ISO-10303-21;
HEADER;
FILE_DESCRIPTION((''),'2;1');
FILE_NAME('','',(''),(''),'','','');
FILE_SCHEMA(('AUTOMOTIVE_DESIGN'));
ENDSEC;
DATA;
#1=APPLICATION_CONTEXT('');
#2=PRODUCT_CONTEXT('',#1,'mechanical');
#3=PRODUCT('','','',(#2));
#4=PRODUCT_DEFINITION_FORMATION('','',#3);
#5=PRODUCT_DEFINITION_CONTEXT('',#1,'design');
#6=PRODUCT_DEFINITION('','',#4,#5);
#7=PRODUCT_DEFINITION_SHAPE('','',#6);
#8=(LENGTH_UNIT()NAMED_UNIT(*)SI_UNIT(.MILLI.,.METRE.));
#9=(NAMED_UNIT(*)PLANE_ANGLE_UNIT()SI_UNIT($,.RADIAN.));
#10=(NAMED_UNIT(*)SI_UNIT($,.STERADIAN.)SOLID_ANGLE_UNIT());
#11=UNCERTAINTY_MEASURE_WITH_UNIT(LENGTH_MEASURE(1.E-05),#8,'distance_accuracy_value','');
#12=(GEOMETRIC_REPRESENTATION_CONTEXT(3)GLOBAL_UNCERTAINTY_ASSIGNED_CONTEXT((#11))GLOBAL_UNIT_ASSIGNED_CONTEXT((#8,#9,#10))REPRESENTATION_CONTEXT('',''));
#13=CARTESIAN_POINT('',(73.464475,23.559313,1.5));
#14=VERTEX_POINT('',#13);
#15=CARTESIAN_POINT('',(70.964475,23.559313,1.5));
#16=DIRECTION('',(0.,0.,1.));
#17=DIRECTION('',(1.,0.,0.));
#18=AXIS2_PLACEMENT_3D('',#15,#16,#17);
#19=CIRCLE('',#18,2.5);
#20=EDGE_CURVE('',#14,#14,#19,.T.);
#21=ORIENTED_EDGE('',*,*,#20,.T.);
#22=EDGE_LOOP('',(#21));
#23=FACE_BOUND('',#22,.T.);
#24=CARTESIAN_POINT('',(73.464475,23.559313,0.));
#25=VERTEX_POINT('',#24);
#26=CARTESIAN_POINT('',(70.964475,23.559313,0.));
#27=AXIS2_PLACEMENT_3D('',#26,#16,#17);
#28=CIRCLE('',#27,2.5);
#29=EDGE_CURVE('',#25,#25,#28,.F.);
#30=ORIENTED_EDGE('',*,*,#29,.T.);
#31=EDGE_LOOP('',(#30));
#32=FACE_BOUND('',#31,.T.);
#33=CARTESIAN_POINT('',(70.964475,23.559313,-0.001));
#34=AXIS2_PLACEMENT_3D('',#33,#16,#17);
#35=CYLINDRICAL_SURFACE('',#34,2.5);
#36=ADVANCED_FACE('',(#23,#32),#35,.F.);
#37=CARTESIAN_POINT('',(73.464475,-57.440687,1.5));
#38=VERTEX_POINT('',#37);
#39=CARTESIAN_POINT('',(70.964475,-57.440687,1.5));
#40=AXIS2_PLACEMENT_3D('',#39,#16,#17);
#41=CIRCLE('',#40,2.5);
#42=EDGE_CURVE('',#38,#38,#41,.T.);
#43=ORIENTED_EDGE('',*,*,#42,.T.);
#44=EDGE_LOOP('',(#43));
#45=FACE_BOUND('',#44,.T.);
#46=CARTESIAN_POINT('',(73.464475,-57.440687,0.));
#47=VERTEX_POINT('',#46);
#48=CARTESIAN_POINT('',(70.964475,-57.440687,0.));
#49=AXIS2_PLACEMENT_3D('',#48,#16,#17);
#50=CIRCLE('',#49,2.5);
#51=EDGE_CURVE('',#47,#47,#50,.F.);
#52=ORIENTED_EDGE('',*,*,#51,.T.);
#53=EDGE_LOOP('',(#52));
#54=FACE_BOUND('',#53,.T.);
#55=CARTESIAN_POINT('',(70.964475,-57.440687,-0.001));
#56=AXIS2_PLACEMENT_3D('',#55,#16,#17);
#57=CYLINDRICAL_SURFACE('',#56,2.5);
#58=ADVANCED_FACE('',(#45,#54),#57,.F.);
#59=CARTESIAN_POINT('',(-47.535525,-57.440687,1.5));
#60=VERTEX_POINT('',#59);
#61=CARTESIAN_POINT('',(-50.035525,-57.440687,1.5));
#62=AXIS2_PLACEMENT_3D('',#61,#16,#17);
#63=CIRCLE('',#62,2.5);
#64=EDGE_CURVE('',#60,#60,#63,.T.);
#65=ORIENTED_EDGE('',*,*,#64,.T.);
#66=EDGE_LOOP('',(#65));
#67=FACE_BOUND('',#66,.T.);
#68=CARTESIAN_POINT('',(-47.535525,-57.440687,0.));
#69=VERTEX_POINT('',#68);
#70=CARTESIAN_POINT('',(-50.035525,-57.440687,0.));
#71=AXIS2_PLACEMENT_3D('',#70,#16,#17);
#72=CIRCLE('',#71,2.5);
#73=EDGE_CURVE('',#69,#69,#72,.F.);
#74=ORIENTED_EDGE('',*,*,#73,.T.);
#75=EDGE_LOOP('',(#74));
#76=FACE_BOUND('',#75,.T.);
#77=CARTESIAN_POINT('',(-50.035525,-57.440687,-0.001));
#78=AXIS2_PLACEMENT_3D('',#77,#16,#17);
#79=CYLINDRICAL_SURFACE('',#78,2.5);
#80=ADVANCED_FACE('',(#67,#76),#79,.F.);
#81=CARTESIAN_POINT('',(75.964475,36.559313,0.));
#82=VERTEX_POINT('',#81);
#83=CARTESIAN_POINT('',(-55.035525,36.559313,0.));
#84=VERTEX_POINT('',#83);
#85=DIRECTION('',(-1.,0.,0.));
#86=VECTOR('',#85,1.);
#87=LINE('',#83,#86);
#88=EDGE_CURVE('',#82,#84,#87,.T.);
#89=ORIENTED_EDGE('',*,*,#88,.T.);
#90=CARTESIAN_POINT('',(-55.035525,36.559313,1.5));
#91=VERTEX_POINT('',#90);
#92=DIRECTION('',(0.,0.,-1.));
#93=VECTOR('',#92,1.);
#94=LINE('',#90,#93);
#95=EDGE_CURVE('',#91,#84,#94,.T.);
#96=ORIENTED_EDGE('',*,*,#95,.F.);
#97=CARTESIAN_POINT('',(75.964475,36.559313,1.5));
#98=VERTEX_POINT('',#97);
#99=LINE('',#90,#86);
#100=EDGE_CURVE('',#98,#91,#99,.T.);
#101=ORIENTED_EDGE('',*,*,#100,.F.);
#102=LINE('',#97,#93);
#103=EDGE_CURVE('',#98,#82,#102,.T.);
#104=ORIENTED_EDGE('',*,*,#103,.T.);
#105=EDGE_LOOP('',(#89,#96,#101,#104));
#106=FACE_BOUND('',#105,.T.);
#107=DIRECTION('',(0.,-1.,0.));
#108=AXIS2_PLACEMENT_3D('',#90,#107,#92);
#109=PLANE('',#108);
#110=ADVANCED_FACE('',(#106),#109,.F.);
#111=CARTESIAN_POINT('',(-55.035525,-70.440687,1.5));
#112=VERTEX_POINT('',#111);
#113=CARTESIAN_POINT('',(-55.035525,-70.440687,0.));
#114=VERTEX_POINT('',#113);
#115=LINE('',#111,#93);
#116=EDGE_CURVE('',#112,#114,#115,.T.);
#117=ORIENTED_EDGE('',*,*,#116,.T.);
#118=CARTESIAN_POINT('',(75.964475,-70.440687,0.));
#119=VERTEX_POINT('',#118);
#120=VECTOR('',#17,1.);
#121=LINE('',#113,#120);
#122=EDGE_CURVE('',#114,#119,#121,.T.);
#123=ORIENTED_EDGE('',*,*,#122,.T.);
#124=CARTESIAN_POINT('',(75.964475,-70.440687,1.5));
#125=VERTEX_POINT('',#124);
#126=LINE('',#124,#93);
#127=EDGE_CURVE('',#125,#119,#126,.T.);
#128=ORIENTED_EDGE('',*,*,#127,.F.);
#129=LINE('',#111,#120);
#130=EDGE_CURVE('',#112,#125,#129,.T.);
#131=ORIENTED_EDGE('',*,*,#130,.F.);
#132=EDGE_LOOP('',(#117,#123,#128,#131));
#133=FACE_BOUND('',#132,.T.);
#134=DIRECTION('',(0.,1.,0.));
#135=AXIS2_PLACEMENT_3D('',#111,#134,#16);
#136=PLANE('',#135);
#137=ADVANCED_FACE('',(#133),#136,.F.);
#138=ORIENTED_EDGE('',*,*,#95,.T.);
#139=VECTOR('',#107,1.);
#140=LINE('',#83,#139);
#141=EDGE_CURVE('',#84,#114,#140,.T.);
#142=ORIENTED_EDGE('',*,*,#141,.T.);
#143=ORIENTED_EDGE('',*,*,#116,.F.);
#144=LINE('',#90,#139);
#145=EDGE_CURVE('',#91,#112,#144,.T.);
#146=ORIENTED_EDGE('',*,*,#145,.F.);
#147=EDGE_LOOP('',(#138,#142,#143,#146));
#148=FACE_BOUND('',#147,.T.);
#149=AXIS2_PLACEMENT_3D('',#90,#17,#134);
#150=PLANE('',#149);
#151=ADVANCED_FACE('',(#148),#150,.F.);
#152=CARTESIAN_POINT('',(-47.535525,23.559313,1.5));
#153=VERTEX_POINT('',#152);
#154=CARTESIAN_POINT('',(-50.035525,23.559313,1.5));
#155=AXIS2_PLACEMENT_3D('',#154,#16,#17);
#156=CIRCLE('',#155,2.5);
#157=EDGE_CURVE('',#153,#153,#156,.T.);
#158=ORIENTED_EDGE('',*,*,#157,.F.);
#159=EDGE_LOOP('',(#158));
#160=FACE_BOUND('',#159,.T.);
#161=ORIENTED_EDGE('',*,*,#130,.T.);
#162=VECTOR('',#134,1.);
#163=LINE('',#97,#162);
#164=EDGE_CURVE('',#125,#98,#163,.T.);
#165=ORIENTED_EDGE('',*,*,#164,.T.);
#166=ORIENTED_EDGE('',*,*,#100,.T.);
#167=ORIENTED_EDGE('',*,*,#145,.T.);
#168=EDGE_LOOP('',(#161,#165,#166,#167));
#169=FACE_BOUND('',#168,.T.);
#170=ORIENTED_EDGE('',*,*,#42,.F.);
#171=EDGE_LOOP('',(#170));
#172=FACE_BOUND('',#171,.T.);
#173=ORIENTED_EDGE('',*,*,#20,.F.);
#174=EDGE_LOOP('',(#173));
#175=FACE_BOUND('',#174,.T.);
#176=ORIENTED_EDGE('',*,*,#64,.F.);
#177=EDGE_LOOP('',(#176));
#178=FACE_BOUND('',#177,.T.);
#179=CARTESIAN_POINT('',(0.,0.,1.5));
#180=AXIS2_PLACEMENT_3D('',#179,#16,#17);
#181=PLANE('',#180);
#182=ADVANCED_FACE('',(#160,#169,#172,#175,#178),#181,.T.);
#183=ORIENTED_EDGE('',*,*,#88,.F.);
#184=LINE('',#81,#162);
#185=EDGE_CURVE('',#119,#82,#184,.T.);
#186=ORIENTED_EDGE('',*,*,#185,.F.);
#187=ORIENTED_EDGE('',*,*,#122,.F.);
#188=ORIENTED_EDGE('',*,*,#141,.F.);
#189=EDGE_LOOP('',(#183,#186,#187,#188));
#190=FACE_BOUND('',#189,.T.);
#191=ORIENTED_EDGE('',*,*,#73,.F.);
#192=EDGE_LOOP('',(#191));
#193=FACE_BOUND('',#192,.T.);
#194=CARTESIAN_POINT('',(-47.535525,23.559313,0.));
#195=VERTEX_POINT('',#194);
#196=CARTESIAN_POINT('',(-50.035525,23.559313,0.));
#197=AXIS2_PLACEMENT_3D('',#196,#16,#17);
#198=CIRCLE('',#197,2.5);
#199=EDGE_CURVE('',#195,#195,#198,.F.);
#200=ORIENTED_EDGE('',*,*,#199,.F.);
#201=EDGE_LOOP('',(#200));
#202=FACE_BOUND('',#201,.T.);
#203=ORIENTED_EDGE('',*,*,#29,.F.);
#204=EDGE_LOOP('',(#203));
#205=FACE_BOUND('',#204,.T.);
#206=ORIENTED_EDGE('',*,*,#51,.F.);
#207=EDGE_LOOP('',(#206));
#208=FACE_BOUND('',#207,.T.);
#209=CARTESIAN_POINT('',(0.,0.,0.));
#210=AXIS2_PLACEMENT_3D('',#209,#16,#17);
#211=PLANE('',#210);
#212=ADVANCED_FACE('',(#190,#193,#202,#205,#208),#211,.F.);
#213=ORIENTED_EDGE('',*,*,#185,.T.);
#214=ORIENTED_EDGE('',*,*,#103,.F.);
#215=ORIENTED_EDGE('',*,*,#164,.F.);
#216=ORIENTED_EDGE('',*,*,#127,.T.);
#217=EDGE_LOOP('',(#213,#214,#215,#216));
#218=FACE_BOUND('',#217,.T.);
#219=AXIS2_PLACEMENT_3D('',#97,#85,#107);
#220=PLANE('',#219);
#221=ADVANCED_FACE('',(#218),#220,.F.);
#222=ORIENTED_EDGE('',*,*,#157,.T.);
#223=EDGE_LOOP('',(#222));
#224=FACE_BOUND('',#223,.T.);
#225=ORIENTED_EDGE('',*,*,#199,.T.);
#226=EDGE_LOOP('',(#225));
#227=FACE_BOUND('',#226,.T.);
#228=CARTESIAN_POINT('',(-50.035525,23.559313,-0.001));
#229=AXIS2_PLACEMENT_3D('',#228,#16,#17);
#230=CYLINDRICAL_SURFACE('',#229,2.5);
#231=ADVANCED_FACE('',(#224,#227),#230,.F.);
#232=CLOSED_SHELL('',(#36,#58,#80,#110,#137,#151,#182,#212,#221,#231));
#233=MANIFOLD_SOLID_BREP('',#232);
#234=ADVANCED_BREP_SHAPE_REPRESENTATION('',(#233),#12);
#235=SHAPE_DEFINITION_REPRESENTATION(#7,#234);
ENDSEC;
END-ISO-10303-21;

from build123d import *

# Parameters (mm, degrees)
CROQUIS1_W              = 131
CROQUIS1_H              = 107
SALIENTE_EXTRUIR1_DEPTH = 1.5
CORTAR_EXTRUIR1_REACH   = 3.5
CROQUIS2_R              = 2.5


with BuildPart() as part:
    # Croquis1 → Saliente-Extruir1 (new body)
    with BuildSketch(Plane.XY):
        with Locations((10.464475059, -16.940687004)):
            Rectangle(CROQUIS1_W, CROQUIS1_H)
    extrude(amount=SALIENTE_EXTRUIR1_DEPTH)

    # Croquis2 → Cortar-Extruir1 (cut, up to next)
    with BuildSketch(Plane.XY.offset(1.5), mode=Mode.PRIVATE) as cortar_extruir1_sk1:
        with Locations((-50.035524941, 23.559312996)):
            Circle(CROQUIS2_R)
    cortar_extruir1_tool1 = extrude(cortar_extruir1_sk1.sketch, amount=-CORTAR_EXTRUIR1_REACH, mode=Mode.PRIVATE) & part.part
    add(cortar_extruir1_tool1.solids().sort_by_distance((-50.035525, 23.559313, 1.5))[0], mode=Mode.SUBTRACT)
    # Croquis2 → Cortar-Extruir1 (cut, up to next)
    with BuildSketch(Plane.XY.offset(1.5), mode=Mode.PRIVATE) as cortar_extruir1_sk2:
        with Locations((70.964475059, 23.559312996)):
            Circle(CROQUIS2_R)
    cortar_extruir1_tool2 = extrude(cortar_extruir1_sk2.sketch, amount=-CORTAR_EXTRUIR1_REACH, mode=Mode.PRIVATE) & part.part
    add(cortar_extruir1_tool2.solids().sort_by_distance((70.964475, 23.559313, 1.5))[0], mode=Mode.SUBTRACT)
    # Croquis2 → Cortar-Extruir1 (cut, up to next)
    with BuildSketch(Plane.XY.offset(1.5), mode=Mode.PRIVATE) as cortar_extruir1_sk3:
        with Locations((70.964475059, -57.440687004)):
            Circle(CROQUIS2_R)
    cortar_extruir1_tool3 = extrude(cortar_extruir1_sk3.sketch, amount=-CORTAR_EXTRUIR1_REACH, mode=Mode.PRIVATE) & part.part
    add(cortar_extruir1_tool3.solids().sort_by_distance((70.964475, -57.440687, 1.5))[0], mode=Mode.SUBTRACT)
    # Croquis2 → Cortar-Extruir1 (cut, up to next)
    with BuildSketch(Plane.XY.offset(1.5), mode=Mode.PRIVATE) as cortar_extruir1_sk4:
        with Locations((-50.035524941, -57.440687004)):
            Circle(CROQUIS2_R)
    cortar_extruir1_tool4 = extrude(cortar_extruir1_sk4.sketch, amount=-CORTAR_EXTRUIR1_REACH, mode=Mode.PRIVATE) & part.part
    add(cortar_extruir1_tool4.solids().sort_by_distance((-50.035525, -57.440687, 1.5))[0], mode=Mode.SUBTRACT)


solid = part.part
